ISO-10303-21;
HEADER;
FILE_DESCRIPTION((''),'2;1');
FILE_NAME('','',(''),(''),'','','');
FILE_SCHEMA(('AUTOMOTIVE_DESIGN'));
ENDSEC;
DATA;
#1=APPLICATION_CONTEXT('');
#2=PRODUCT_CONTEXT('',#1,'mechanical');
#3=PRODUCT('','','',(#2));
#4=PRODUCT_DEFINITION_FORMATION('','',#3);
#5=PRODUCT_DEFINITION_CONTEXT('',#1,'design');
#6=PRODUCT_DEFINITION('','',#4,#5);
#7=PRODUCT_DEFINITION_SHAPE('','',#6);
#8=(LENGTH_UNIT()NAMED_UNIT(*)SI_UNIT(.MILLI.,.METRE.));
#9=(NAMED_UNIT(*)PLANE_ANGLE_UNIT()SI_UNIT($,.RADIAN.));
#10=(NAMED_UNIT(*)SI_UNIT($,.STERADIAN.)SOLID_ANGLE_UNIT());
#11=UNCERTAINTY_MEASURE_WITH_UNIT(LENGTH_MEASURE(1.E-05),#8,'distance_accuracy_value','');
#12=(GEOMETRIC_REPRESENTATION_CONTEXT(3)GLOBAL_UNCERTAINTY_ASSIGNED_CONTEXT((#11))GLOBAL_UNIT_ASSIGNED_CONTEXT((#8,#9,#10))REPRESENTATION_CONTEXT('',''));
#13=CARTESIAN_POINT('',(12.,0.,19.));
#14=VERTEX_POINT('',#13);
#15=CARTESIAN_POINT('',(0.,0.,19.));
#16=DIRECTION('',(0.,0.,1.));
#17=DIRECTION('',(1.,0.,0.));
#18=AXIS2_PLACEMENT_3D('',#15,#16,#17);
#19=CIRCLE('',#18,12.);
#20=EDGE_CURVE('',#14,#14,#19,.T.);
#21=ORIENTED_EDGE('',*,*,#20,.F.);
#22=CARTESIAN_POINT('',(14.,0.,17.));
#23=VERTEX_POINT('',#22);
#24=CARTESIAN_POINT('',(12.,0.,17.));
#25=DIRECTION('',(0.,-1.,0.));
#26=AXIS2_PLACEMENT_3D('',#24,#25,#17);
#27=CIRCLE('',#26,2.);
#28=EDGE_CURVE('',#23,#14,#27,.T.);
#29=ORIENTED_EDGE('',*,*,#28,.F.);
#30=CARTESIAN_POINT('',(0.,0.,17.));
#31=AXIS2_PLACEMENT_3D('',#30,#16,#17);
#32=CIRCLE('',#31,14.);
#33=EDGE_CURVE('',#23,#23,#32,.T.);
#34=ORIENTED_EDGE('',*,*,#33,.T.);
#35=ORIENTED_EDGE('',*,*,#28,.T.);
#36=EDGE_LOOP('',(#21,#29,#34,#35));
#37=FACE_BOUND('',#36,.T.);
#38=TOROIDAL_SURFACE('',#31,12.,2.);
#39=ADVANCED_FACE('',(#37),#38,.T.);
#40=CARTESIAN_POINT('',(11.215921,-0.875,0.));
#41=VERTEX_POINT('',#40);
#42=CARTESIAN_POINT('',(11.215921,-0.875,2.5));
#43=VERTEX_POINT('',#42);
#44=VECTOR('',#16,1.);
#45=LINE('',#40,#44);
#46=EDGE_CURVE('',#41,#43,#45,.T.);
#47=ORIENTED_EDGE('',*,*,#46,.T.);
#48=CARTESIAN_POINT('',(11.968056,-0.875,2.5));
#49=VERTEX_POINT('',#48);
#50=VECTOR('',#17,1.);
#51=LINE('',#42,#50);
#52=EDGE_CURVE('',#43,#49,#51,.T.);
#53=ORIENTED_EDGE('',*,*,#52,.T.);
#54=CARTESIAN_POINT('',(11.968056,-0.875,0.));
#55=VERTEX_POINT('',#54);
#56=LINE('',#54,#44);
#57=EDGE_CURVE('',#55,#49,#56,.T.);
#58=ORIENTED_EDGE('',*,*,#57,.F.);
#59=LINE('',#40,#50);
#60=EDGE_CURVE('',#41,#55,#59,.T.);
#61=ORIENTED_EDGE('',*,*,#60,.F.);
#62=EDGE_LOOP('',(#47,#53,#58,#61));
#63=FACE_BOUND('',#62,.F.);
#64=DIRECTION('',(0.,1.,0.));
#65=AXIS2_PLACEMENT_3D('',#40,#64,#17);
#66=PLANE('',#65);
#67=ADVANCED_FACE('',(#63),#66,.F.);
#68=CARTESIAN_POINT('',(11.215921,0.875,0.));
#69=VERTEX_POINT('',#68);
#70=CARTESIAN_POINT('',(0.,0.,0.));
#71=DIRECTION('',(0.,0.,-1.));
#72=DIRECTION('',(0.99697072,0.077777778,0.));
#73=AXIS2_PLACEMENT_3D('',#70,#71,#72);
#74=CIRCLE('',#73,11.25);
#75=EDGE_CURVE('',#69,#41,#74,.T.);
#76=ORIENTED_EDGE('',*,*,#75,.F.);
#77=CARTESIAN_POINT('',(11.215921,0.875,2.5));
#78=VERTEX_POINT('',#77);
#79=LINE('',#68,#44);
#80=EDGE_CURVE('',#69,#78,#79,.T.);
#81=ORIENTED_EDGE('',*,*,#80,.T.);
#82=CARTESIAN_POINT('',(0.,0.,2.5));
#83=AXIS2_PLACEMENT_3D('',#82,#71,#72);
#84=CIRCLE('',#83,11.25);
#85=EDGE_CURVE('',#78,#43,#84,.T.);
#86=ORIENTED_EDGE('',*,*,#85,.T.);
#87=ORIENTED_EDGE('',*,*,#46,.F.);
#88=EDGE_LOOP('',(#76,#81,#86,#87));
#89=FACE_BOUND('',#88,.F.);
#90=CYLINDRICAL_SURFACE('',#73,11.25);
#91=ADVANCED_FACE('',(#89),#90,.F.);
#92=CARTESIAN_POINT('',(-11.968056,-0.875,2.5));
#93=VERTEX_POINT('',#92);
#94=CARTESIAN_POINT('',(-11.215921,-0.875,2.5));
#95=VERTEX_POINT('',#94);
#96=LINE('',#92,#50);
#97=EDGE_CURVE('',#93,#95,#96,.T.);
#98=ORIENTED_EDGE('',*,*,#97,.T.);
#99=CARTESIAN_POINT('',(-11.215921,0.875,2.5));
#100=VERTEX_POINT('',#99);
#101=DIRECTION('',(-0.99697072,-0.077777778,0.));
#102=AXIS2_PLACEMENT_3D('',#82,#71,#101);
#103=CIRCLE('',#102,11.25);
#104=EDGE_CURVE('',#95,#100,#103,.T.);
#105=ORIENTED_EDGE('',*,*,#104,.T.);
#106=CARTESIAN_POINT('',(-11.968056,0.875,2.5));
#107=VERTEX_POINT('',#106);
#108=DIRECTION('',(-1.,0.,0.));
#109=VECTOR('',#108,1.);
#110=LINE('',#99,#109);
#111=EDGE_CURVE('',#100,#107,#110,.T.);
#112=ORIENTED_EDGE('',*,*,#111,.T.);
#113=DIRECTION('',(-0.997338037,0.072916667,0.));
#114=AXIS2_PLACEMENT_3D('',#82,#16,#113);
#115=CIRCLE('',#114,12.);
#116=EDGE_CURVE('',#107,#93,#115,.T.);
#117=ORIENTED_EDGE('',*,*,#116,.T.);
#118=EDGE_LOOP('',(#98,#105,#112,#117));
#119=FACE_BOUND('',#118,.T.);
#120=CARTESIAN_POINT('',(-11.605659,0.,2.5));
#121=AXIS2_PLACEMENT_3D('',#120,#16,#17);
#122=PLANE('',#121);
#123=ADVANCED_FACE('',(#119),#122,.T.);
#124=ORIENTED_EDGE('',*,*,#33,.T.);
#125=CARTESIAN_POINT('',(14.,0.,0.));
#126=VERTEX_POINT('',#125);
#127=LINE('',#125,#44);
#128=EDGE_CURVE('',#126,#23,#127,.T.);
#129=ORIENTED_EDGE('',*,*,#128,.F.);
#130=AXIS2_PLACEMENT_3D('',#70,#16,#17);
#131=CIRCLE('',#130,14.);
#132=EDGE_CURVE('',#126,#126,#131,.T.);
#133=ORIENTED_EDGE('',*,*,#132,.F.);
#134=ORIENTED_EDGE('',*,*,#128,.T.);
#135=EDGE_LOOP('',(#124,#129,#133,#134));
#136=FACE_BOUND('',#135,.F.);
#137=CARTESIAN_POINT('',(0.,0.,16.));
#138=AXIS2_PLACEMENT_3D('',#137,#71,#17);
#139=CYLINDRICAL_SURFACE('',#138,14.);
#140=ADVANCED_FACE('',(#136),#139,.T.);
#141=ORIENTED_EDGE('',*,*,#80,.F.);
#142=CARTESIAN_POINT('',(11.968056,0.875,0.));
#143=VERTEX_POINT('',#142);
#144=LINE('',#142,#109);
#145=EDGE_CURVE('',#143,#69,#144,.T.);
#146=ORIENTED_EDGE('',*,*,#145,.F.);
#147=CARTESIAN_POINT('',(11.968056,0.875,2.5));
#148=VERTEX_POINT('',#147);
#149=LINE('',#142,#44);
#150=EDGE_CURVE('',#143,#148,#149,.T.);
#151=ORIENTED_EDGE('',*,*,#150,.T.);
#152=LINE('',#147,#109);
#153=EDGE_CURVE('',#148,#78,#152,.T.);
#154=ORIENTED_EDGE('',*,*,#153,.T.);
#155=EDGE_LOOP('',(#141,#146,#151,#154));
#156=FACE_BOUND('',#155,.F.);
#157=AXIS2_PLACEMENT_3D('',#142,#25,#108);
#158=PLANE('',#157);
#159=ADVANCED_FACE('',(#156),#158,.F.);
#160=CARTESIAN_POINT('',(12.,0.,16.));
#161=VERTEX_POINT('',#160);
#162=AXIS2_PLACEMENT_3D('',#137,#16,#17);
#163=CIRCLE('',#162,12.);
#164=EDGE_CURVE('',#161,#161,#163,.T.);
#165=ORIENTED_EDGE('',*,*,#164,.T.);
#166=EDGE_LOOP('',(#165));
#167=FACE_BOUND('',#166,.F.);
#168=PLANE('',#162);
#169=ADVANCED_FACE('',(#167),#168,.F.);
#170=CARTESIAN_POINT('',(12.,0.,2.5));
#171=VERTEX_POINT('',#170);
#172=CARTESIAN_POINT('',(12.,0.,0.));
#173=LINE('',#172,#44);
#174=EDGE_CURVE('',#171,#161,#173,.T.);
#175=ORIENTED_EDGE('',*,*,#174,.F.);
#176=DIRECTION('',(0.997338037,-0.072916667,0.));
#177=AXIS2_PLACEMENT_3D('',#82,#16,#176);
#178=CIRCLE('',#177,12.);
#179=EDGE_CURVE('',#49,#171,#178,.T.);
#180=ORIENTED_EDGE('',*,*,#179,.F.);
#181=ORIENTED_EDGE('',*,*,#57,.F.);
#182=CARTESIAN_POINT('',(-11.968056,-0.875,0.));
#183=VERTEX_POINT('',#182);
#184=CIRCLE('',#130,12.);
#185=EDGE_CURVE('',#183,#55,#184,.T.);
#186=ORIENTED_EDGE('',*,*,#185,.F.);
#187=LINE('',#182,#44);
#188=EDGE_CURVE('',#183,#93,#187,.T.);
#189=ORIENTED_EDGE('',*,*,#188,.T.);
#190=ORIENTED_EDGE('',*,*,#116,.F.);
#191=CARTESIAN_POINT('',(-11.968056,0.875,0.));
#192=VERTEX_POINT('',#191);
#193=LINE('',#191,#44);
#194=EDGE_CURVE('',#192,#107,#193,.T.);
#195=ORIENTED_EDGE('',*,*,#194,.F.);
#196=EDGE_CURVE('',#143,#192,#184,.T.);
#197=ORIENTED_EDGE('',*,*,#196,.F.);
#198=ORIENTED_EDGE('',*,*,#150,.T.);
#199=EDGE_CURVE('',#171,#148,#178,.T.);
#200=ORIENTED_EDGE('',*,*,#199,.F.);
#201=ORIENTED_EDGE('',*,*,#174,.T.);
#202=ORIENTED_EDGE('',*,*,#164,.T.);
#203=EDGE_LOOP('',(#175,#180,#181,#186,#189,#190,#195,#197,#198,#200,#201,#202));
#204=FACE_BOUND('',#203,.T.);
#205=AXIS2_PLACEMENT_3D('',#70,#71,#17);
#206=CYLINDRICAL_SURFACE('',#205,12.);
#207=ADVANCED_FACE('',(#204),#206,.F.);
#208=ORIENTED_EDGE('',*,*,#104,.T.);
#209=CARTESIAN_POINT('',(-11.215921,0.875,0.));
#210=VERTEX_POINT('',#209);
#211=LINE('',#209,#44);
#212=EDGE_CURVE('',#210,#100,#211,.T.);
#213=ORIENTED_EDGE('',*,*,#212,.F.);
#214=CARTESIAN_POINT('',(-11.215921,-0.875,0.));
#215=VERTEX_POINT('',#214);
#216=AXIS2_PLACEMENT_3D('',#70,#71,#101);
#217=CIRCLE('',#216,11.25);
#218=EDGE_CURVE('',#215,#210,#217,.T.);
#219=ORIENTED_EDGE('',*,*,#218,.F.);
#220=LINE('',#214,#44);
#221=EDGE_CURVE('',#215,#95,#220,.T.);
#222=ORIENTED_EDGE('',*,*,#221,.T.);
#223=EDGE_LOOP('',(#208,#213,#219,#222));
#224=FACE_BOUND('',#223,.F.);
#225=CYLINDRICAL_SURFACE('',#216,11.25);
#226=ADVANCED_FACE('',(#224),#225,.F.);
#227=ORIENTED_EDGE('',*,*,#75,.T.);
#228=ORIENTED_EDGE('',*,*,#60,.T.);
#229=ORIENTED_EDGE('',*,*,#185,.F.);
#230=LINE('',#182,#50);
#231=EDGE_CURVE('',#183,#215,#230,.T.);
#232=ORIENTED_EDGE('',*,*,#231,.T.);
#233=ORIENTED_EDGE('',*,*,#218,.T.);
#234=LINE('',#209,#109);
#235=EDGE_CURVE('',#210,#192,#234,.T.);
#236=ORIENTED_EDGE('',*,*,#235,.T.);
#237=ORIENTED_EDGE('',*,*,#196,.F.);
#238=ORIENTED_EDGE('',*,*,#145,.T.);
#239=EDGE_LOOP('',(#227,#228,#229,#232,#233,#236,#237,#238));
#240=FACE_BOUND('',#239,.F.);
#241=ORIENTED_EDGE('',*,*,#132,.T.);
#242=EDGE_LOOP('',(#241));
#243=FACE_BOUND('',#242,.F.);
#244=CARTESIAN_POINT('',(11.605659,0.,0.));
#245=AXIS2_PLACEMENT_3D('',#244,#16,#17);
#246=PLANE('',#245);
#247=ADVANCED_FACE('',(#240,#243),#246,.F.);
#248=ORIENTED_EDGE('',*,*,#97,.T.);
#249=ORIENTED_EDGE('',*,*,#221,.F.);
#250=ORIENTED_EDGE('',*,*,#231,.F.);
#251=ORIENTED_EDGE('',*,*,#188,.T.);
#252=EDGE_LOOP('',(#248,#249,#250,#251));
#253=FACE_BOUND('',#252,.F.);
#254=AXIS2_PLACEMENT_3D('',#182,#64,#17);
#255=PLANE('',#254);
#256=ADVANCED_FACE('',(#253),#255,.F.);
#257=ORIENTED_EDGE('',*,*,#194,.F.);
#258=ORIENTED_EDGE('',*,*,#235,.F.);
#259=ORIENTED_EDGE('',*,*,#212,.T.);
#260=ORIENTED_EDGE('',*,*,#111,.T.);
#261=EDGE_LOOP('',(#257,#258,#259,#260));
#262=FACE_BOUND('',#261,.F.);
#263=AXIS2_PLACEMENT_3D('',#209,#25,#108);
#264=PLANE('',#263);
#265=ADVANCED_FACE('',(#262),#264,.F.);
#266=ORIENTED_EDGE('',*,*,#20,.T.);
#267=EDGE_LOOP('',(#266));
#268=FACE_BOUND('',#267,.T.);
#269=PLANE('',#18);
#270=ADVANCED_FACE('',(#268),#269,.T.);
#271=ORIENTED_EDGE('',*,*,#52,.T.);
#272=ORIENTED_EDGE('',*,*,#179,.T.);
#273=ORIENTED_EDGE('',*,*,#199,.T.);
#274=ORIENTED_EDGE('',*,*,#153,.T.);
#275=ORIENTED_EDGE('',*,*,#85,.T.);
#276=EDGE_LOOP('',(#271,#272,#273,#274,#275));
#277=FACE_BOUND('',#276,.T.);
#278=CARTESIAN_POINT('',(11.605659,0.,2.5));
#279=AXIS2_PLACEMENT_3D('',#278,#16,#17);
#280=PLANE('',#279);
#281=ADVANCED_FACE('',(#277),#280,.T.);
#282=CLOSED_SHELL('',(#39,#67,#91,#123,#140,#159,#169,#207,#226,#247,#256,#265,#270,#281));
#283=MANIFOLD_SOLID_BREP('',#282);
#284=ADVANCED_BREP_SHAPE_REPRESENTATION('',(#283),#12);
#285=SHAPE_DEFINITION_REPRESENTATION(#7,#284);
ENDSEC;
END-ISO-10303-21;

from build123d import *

# Parameters (mm, degrees)
F0_R     = 14
F0_R_2   = 12
F1_DEPTH = 16
F3_DEPTH = 2.5
F4_R     = 14
F5_DEPTH = 3
F6_R     = 2


with BuildPart() as f1:
    # F0 (on Top) → F1 (new body)
    with BuildSketch(Plane.XY):
        Circle(F0_R)
        Circle(F0_R_2, mode=Mode.SUBTRACT)
    extrude(amount=F1_DEPTH)

    # F2 (on Top) → F3 (join)
    with BuildSketch(Plane.XY):
        with BuildLine():
            Line((-11.2159206042, 0.875), (-11.968056442, 0.875))
            ThreePointArc((-11.968056442, 0.875), (-12, 0), (-11.968056442, -0.875))
            Line((-11.968056442, -0.875), (-11.2159206042, -0.875))
            ThreePointArc((-11.2159206042, -0.875), (-11.25, 0), (-11.2159206042, 0.875))
        make_face()
        with BuildLine():
            ThreePointArc((11.968056442, -0.875), (12, 0), (11.968056442, 0.875))
            Line((11.968056442, 0.875), (11.2159206042, 0.875))
            ThreePointArc((11.2159206042, 0.875), (11.25, 0), (11.2159206042, -0.875))
            Line((11.2159206042, -0.875), (11.968056442, -0.875))
        make_face()
    extrude(amount=F3_DEPTH)

    # F4 (on face) → F5 (join)
    with BuildSketch(Plane.XY.offset(16)):
        Circle(F4_R)
    extrude(amount=F5_DEPTH)

    # F6
    f6_edges = [f1.edges().sort_by_distance(p)[0] for p in [
        (-14, 0, 19),
    ]]
    fillet(f6_edges, radius=F6_R)


solid = f1.part
